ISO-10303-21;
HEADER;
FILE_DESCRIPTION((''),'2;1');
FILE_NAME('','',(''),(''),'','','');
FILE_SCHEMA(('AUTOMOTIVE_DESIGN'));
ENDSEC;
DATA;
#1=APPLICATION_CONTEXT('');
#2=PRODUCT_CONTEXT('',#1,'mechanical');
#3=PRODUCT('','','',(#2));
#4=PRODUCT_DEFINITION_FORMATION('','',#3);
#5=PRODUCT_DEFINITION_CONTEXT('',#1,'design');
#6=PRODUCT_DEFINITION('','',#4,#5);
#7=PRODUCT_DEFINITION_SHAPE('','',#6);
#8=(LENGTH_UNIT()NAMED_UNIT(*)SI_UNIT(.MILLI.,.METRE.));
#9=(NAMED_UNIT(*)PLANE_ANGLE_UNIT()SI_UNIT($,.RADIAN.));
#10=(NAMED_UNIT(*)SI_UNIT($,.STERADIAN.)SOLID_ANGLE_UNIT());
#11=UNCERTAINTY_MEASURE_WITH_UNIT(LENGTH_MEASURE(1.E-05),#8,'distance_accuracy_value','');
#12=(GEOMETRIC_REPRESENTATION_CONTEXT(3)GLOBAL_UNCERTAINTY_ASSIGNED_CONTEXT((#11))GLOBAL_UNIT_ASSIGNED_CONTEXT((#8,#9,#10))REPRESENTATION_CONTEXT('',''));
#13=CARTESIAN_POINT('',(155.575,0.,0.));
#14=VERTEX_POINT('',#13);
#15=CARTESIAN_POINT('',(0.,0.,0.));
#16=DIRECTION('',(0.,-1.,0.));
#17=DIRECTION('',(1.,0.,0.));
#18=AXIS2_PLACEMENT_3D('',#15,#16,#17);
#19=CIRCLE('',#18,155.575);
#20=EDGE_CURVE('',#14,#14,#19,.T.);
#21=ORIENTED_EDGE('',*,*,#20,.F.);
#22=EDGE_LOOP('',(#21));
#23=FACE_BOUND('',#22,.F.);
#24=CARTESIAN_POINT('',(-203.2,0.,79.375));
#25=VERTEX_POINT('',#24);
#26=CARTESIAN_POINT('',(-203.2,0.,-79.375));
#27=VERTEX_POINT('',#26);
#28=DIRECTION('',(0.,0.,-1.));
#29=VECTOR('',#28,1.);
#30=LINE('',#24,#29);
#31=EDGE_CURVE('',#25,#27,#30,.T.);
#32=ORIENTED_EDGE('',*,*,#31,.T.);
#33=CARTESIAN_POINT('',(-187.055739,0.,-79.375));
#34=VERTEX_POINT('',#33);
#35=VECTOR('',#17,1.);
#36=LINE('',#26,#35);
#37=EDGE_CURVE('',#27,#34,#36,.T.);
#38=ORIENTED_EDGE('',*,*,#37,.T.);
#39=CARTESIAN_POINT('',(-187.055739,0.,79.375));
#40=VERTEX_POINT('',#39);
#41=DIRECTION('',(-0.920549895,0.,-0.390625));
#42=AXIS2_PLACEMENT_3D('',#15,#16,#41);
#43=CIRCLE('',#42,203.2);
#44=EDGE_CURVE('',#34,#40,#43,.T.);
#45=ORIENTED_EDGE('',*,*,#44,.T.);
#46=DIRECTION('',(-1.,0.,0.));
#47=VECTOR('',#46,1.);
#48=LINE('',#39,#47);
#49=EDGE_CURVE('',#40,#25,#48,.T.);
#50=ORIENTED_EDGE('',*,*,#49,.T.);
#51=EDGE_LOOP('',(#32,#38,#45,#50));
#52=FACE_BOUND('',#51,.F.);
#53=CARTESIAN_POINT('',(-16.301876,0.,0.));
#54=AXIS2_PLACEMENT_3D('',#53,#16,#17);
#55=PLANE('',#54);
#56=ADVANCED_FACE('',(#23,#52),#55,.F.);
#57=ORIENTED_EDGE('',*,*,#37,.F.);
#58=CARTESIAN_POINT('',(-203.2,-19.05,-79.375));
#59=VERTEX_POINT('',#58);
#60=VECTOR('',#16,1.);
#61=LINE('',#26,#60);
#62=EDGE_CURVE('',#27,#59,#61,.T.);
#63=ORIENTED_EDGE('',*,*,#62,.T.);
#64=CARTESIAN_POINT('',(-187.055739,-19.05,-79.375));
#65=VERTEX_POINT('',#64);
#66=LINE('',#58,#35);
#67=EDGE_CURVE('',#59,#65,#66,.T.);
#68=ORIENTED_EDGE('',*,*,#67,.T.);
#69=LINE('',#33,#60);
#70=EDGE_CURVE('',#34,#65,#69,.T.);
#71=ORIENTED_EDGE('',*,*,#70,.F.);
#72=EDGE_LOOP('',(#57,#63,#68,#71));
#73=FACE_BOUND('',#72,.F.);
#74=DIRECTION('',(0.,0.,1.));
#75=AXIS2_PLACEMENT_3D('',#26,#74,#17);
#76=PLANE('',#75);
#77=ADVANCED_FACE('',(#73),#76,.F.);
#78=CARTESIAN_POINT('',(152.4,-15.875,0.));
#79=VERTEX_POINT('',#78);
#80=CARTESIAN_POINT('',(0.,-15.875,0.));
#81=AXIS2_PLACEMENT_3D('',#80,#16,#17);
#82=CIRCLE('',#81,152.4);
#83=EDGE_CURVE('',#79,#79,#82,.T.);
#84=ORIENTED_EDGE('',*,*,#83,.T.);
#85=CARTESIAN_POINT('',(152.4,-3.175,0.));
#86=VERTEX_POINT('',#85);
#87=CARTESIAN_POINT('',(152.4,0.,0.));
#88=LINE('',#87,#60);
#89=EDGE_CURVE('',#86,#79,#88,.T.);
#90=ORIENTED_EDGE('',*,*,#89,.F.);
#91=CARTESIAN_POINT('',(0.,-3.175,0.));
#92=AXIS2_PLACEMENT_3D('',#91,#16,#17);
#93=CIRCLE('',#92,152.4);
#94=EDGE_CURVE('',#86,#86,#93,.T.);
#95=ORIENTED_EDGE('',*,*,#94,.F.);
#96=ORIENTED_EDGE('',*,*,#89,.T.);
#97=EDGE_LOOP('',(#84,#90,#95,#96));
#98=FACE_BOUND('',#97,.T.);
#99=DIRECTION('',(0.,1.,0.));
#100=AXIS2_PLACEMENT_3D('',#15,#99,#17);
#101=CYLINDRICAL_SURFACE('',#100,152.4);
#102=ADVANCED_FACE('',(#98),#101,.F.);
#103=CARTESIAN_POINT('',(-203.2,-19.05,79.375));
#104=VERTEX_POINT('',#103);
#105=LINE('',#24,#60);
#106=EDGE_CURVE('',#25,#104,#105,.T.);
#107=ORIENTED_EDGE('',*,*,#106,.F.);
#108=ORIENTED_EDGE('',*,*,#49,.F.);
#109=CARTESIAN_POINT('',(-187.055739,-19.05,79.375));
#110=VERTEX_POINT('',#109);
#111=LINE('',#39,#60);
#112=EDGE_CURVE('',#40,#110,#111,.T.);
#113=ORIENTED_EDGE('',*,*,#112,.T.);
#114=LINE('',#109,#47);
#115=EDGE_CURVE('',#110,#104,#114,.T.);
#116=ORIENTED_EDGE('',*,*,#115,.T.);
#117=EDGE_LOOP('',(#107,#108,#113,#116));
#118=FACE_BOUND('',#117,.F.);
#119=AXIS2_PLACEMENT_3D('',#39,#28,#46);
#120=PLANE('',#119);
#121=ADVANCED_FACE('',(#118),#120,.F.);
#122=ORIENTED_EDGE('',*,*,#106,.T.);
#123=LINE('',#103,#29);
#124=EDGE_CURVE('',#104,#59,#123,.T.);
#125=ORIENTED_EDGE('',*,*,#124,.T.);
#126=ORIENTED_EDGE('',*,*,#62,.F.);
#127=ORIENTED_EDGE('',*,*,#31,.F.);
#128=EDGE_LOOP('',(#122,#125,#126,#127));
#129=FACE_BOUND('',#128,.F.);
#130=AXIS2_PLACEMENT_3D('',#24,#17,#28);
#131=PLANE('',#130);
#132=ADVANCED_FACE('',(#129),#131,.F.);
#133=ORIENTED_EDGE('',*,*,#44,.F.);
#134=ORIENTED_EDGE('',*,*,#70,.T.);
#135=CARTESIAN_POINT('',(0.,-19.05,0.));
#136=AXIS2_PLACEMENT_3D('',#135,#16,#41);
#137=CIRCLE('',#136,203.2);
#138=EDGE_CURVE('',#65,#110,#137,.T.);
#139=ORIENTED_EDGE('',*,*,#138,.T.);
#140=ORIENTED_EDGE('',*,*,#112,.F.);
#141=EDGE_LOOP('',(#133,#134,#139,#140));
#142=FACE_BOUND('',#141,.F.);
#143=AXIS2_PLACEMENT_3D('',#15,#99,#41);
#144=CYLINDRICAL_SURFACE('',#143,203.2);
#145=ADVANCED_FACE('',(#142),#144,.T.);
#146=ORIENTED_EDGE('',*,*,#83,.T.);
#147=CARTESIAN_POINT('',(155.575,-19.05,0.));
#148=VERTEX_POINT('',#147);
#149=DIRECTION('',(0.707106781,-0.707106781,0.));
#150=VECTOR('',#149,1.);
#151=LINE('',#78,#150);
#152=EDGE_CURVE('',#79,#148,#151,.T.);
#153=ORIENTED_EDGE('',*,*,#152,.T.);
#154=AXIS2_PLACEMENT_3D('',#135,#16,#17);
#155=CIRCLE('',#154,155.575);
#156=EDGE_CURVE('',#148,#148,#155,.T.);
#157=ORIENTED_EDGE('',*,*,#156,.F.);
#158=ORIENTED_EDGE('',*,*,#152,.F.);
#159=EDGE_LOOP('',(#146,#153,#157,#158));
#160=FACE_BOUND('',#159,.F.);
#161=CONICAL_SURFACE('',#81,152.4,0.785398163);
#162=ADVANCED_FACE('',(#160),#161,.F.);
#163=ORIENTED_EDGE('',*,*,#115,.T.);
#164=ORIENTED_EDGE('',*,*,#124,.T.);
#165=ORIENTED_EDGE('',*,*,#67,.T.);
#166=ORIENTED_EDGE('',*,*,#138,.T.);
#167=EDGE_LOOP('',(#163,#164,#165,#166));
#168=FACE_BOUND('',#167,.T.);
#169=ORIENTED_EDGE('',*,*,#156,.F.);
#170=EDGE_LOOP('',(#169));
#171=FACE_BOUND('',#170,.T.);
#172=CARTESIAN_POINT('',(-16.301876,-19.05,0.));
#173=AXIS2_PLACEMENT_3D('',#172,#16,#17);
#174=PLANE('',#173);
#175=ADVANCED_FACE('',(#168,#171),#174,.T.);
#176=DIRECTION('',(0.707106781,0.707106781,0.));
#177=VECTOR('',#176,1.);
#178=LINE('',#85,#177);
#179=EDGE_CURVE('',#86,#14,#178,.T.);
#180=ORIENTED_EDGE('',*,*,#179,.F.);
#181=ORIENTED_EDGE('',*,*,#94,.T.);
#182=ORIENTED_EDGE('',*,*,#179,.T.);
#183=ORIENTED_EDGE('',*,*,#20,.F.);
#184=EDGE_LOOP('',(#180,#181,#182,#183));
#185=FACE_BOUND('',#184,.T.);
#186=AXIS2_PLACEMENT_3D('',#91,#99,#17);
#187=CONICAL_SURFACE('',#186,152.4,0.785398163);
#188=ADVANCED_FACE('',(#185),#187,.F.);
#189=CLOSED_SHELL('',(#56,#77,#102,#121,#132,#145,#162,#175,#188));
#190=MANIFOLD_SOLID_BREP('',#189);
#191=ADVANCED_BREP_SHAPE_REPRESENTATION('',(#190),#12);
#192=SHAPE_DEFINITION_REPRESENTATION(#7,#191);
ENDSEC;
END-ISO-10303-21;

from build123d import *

# Parameters (mm, degrees)
F0_R     = 152.4
F1_DEPTH = 19.05
F2_SIZE  = 3.175


with BuildPart() as f1:
    # F0 (on Front) → F1 (new body)
    with BuildSketch(Plane.XZ):
        with BuildLine():
            Line((-203.2, -79.375), (-187.055739, -79.375))
            ThreePointArc((-187.055739, -79.375), (203.2, 0), (-187.055739, 79.375))
            Line((-187.055739, 79.375), (-203.2, 79.375))
            Line((-203.2, 79.375), (-203.2, -79.375))
        make_face()
        Circle(F0_R, mode=Mode.SUBTRACT)
    extrude(amount=F1_DEPTH)

    # F2
    f2_edges = [f1.edges().sort_by_distance(p)[0] for p in [
        (-152.4, -19.05, 0),
        (-152.4, 0, 0),
    ]]
    chamfer(f2_edges, length=F2_SIZE)


solid = f1.part
